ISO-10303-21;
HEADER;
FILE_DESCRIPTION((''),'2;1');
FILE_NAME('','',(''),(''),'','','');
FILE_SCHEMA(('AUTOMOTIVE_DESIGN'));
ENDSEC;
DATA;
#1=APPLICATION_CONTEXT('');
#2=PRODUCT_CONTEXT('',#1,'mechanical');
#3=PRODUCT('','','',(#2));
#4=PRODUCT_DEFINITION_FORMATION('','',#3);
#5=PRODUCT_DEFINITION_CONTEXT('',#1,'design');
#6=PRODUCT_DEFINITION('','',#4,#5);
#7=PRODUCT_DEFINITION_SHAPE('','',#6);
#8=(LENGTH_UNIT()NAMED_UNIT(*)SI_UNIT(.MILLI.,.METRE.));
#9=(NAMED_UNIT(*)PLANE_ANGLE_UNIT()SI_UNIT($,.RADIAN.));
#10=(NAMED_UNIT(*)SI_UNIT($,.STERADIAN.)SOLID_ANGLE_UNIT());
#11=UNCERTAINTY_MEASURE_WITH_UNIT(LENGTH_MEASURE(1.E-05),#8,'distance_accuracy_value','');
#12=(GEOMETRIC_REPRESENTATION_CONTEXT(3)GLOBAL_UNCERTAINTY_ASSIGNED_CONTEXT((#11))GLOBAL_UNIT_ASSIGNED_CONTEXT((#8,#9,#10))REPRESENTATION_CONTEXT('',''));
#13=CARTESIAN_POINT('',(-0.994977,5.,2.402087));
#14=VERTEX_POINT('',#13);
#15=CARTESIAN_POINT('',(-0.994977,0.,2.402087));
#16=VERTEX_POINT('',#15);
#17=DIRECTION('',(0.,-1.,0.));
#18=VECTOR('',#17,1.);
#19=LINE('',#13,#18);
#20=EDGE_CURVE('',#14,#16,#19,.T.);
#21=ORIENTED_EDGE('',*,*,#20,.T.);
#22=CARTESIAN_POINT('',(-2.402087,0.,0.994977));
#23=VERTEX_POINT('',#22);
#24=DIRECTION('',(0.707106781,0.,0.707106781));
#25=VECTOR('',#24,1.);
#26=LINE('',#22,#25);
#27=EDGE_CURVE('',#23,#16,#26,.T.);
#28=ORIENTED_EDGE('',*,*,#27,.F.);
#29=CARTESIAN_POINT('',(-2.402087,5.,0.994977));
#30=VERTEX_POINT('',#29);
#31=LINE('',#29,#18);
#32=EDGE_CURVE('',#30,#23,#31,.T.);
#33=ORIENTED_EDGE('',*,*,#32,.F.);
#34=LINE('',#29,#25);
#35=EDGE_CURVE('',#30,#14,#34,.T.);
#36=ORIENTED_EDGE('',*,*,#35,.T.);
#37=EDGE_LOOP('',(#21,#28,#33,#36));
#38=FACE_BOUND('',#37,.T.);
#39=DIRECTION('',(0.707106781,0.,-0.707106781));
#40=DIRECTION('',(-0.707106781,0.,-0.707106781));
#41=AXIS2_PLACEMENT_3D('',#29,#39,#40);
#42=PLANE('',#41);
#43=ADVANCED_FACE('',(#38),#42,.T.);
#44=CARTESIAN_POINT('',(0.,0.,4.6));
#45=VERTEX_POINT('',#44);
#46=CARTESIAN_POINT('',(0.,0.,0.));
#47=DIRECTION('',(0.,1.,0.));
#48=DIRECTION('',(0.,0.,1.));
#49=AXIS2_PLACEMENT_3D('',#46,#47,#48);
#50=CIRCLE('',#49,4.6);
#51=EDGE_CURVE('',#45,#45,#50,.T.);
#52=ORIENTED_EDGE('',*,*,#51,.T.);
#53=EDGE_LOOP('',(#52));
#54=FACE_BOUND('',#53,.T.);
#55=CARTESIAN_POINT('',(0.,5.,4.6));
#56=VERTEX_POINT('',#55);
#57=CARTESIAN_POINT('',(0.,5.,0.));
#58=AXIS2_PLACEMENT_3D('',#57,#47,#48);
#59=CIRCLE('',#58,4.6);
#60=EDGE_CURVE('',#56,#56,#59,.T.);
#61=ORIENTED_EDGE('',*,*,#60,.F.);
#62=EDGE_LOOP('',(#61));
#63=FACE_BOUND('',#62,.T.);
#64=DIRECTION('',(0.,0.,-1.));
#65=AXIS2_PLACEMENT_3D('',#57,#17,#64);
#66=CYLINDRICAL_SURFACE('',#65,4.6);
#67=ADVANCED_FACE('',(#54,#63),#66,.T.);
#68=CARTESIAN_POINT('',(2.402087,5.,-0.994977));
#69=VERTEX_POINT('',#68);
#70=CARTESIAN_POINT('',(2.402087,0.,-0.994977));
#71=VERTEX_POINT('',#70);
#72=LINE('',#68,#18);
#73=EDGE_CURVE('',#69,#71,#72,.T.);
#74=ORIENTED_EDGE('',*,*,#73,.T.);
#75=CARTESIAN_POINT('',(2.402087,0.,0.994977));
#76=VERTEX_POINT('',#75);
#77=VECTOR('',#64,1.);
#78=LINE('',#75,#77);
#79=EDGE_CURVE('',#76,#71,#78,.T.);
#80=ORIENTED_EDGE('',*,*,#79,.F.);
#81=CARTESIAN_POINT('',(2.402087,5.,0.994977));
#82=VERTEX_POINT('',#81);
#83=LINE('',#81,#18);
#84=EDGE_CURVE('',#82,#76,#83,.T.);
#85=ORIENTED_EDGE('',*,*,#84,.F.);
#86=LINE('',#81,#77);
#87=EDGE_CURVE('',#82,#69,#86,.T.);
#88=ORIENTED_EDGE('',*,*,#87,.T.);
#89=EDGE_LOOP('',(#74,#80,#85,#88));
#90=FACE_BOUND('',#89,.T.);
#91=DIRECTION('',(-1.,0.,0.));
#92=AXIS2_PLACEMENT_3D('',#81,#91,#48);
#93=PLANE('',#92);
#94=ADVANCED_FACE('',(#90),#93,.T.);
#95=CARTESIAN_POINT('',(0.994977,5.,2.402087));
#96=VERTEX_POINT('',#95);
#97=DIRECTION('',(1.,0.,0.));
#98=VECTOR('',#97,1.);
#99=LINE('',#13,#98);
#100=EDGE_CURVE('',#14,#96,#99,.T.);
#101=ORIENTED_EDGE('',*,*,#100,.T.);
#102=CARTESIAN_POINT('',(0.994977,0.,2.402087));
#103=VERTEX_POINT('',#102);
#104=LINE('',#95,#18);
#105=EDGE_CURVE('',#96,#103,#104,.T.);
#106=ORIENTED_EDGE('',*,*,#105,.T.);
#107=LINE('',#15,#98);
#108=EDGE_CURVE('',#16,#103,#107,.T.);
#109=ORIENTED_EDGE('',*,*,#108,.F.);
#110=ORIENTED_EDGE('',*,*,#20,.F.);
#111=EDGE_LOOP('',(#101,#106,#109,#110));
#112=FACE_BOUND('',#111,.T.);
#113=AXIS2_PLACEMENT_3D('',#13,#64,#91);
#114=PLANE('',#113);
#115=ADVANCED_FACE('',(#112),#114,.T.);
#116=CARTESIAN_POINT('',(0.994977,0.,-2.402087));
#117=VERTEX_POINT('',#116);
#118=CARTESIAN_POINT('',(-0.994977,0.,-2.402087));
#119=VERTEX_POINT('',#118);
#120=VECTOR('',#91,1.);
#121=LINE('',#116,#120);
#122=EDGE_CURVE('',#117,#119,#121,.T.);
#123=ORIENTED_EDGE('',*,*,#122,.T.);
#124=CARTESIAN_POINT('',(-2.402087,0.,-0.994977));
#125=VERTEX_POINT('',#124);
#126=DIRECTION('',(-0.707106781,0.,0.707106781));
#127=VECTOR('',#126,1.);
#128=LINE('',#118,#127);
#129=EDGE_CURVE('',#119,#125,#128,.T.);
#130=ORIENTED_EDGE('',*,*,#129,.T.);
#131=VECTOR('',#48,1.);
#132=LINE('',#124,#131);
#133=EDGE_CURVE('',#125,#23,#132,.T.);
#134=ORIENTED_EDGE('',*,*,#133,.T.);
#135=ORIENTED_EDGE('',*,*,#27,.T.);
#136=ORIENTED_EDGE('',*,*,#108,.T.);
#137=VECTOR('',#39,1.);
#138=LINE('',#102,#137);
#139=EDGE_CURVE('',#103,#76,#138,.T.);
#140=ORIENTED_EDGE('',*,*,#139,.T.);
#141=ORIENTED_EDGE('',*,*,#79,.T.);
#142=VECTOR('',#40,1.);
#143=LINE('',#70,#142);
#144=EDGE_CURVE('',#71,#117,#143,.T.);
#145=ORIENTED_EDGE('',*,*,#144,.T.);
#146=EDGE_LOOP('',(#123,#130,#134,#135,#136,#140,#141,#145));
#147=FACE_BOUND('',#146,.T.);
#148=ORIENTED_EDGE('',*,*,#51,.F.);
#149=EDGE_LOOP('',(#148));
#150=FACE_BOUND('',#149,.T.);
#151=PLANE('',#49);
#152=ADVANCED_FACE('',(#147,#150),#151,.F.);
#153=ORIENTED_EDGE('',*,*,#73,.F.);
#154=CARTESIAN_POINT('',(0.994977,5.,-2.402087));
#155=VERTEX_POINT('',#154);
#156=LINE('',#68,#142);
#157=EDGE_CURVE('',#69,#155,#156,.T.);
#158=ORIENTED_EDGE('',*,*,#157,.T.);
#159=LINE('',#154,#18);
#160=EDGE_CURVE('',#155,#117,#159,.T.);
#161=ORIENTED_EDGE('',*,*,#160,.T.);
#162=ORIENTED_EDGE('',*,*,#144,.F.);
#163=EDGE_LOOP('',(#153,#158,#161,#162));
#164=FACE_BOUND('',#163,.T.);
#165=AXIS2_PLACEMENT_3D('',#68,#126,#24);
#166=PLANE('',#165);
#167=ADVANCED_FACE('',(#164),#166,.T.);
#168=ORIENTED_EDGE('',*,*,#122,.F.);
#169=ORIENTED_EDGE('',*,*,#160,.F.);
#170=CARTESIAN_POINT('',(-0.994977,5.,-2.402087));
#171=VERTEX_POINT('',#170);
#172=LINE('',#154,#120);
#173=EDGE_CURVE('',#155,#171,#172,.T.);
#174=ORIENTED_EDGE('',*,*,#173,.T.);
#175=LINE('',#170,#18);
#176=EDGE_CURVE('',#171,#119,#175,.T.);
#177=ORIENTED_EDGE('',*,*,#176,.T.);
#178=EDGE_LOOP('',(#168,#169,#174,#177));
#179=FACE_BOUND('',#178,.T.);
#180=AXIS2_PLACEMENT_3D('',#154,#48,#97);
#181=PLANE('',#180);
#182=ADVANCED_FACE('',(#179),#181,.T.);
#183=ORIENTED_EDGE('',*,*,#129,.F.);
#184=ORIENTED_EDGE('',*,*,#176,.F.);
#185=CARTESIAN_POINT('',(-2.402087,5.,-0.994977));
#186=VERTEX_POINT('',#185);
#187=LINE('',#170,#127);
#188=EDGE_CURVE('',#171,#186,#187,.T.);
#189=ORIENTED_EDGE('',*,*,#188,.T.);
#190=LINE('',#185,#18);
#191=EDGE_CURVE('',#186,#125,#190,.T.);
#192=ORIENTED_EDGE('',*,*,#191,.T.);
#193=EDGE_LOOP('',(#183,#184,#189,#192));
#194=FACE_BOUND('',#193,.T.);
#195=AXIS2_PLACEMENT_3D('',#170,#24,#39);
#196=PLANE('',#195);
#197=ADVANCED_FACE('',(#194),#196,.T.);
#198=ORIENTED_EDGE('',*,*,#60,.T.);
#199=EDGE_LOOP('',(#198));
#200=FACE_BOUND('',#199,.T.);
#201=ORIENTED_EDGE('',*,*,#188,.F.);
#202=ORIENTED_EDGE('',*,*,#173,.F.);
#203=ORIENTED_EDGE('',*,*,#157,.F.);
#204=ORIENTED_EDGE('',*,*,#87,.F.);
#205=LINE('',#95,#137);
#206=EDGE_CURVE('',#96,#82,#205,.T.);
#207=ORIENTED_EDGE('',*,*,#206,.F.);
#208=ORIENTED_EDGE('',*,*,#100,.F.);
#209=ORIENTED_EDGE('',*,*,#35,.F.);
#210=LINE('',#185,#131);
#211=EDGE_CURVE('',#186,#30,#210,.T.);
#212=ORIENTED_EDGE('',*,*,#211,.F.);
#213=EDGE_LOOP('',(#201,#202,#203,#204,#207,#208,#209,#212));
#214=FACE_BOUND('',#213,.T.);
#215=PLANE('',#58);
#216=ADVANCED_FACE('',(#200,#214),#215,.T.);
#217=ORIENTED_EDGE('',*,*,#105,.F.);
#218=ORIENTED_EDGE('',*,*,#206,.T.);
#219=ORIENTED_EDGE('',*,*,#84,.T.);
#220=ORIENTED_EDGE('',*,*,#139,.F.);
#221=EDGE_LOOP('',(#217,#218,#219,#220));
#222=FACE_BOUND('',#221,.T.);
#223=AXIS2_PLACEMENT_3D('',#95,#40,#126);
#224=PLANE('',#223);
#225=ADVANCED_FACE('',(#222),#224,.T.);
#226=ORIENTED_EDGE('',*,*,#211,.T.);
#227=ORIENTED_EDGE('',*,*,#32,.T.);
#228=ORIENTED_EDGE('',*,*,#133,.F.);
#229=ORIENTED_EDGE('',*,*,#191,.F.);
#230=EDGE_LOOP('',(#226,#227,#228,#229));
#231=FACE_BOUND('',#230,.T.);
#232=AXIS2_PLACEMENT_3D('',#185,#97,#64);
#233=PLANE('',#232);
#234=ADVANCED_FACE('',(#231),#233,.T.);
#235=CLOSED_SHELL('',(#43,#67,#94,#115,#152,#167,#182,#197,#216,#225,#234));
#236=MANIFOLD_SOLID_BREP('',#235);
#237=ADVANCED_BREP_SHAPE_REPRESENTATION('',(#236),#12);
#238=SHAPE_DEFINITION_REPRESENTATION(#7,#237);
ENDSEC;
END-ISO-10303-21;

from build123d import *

# Parameters (mm, degrees)
SKETCH1_R           = 4.6
BOSS_EXTRUDE1_DEPTH = 5


with BuildPart() as part:
    # Sketch1 → Boss-Extrude1 (new body)
    with BuildSketch(Plane(origin=(0, 0, 0), x_dir=(1, 0, 0), z_dir=(0, 1, 0))):
        Circle(SKETCH1_R)
        Polygon((-0.994976924, 2.402086785), (-2.402086785, 0.994976924), (-2.402086785, -0.994976924), (-0.994976924, -2.402086785), (0.994976924, -2.402086785), (2.402086785, -0.994976924), (2.402086785, 0.994976924), (0.994976924, 2.402086785), align=None, mode=Mode.SUBTRACT)
    extrude(amount=BOSS_EXTRUDE1_DEPTH)


solid = part.part
